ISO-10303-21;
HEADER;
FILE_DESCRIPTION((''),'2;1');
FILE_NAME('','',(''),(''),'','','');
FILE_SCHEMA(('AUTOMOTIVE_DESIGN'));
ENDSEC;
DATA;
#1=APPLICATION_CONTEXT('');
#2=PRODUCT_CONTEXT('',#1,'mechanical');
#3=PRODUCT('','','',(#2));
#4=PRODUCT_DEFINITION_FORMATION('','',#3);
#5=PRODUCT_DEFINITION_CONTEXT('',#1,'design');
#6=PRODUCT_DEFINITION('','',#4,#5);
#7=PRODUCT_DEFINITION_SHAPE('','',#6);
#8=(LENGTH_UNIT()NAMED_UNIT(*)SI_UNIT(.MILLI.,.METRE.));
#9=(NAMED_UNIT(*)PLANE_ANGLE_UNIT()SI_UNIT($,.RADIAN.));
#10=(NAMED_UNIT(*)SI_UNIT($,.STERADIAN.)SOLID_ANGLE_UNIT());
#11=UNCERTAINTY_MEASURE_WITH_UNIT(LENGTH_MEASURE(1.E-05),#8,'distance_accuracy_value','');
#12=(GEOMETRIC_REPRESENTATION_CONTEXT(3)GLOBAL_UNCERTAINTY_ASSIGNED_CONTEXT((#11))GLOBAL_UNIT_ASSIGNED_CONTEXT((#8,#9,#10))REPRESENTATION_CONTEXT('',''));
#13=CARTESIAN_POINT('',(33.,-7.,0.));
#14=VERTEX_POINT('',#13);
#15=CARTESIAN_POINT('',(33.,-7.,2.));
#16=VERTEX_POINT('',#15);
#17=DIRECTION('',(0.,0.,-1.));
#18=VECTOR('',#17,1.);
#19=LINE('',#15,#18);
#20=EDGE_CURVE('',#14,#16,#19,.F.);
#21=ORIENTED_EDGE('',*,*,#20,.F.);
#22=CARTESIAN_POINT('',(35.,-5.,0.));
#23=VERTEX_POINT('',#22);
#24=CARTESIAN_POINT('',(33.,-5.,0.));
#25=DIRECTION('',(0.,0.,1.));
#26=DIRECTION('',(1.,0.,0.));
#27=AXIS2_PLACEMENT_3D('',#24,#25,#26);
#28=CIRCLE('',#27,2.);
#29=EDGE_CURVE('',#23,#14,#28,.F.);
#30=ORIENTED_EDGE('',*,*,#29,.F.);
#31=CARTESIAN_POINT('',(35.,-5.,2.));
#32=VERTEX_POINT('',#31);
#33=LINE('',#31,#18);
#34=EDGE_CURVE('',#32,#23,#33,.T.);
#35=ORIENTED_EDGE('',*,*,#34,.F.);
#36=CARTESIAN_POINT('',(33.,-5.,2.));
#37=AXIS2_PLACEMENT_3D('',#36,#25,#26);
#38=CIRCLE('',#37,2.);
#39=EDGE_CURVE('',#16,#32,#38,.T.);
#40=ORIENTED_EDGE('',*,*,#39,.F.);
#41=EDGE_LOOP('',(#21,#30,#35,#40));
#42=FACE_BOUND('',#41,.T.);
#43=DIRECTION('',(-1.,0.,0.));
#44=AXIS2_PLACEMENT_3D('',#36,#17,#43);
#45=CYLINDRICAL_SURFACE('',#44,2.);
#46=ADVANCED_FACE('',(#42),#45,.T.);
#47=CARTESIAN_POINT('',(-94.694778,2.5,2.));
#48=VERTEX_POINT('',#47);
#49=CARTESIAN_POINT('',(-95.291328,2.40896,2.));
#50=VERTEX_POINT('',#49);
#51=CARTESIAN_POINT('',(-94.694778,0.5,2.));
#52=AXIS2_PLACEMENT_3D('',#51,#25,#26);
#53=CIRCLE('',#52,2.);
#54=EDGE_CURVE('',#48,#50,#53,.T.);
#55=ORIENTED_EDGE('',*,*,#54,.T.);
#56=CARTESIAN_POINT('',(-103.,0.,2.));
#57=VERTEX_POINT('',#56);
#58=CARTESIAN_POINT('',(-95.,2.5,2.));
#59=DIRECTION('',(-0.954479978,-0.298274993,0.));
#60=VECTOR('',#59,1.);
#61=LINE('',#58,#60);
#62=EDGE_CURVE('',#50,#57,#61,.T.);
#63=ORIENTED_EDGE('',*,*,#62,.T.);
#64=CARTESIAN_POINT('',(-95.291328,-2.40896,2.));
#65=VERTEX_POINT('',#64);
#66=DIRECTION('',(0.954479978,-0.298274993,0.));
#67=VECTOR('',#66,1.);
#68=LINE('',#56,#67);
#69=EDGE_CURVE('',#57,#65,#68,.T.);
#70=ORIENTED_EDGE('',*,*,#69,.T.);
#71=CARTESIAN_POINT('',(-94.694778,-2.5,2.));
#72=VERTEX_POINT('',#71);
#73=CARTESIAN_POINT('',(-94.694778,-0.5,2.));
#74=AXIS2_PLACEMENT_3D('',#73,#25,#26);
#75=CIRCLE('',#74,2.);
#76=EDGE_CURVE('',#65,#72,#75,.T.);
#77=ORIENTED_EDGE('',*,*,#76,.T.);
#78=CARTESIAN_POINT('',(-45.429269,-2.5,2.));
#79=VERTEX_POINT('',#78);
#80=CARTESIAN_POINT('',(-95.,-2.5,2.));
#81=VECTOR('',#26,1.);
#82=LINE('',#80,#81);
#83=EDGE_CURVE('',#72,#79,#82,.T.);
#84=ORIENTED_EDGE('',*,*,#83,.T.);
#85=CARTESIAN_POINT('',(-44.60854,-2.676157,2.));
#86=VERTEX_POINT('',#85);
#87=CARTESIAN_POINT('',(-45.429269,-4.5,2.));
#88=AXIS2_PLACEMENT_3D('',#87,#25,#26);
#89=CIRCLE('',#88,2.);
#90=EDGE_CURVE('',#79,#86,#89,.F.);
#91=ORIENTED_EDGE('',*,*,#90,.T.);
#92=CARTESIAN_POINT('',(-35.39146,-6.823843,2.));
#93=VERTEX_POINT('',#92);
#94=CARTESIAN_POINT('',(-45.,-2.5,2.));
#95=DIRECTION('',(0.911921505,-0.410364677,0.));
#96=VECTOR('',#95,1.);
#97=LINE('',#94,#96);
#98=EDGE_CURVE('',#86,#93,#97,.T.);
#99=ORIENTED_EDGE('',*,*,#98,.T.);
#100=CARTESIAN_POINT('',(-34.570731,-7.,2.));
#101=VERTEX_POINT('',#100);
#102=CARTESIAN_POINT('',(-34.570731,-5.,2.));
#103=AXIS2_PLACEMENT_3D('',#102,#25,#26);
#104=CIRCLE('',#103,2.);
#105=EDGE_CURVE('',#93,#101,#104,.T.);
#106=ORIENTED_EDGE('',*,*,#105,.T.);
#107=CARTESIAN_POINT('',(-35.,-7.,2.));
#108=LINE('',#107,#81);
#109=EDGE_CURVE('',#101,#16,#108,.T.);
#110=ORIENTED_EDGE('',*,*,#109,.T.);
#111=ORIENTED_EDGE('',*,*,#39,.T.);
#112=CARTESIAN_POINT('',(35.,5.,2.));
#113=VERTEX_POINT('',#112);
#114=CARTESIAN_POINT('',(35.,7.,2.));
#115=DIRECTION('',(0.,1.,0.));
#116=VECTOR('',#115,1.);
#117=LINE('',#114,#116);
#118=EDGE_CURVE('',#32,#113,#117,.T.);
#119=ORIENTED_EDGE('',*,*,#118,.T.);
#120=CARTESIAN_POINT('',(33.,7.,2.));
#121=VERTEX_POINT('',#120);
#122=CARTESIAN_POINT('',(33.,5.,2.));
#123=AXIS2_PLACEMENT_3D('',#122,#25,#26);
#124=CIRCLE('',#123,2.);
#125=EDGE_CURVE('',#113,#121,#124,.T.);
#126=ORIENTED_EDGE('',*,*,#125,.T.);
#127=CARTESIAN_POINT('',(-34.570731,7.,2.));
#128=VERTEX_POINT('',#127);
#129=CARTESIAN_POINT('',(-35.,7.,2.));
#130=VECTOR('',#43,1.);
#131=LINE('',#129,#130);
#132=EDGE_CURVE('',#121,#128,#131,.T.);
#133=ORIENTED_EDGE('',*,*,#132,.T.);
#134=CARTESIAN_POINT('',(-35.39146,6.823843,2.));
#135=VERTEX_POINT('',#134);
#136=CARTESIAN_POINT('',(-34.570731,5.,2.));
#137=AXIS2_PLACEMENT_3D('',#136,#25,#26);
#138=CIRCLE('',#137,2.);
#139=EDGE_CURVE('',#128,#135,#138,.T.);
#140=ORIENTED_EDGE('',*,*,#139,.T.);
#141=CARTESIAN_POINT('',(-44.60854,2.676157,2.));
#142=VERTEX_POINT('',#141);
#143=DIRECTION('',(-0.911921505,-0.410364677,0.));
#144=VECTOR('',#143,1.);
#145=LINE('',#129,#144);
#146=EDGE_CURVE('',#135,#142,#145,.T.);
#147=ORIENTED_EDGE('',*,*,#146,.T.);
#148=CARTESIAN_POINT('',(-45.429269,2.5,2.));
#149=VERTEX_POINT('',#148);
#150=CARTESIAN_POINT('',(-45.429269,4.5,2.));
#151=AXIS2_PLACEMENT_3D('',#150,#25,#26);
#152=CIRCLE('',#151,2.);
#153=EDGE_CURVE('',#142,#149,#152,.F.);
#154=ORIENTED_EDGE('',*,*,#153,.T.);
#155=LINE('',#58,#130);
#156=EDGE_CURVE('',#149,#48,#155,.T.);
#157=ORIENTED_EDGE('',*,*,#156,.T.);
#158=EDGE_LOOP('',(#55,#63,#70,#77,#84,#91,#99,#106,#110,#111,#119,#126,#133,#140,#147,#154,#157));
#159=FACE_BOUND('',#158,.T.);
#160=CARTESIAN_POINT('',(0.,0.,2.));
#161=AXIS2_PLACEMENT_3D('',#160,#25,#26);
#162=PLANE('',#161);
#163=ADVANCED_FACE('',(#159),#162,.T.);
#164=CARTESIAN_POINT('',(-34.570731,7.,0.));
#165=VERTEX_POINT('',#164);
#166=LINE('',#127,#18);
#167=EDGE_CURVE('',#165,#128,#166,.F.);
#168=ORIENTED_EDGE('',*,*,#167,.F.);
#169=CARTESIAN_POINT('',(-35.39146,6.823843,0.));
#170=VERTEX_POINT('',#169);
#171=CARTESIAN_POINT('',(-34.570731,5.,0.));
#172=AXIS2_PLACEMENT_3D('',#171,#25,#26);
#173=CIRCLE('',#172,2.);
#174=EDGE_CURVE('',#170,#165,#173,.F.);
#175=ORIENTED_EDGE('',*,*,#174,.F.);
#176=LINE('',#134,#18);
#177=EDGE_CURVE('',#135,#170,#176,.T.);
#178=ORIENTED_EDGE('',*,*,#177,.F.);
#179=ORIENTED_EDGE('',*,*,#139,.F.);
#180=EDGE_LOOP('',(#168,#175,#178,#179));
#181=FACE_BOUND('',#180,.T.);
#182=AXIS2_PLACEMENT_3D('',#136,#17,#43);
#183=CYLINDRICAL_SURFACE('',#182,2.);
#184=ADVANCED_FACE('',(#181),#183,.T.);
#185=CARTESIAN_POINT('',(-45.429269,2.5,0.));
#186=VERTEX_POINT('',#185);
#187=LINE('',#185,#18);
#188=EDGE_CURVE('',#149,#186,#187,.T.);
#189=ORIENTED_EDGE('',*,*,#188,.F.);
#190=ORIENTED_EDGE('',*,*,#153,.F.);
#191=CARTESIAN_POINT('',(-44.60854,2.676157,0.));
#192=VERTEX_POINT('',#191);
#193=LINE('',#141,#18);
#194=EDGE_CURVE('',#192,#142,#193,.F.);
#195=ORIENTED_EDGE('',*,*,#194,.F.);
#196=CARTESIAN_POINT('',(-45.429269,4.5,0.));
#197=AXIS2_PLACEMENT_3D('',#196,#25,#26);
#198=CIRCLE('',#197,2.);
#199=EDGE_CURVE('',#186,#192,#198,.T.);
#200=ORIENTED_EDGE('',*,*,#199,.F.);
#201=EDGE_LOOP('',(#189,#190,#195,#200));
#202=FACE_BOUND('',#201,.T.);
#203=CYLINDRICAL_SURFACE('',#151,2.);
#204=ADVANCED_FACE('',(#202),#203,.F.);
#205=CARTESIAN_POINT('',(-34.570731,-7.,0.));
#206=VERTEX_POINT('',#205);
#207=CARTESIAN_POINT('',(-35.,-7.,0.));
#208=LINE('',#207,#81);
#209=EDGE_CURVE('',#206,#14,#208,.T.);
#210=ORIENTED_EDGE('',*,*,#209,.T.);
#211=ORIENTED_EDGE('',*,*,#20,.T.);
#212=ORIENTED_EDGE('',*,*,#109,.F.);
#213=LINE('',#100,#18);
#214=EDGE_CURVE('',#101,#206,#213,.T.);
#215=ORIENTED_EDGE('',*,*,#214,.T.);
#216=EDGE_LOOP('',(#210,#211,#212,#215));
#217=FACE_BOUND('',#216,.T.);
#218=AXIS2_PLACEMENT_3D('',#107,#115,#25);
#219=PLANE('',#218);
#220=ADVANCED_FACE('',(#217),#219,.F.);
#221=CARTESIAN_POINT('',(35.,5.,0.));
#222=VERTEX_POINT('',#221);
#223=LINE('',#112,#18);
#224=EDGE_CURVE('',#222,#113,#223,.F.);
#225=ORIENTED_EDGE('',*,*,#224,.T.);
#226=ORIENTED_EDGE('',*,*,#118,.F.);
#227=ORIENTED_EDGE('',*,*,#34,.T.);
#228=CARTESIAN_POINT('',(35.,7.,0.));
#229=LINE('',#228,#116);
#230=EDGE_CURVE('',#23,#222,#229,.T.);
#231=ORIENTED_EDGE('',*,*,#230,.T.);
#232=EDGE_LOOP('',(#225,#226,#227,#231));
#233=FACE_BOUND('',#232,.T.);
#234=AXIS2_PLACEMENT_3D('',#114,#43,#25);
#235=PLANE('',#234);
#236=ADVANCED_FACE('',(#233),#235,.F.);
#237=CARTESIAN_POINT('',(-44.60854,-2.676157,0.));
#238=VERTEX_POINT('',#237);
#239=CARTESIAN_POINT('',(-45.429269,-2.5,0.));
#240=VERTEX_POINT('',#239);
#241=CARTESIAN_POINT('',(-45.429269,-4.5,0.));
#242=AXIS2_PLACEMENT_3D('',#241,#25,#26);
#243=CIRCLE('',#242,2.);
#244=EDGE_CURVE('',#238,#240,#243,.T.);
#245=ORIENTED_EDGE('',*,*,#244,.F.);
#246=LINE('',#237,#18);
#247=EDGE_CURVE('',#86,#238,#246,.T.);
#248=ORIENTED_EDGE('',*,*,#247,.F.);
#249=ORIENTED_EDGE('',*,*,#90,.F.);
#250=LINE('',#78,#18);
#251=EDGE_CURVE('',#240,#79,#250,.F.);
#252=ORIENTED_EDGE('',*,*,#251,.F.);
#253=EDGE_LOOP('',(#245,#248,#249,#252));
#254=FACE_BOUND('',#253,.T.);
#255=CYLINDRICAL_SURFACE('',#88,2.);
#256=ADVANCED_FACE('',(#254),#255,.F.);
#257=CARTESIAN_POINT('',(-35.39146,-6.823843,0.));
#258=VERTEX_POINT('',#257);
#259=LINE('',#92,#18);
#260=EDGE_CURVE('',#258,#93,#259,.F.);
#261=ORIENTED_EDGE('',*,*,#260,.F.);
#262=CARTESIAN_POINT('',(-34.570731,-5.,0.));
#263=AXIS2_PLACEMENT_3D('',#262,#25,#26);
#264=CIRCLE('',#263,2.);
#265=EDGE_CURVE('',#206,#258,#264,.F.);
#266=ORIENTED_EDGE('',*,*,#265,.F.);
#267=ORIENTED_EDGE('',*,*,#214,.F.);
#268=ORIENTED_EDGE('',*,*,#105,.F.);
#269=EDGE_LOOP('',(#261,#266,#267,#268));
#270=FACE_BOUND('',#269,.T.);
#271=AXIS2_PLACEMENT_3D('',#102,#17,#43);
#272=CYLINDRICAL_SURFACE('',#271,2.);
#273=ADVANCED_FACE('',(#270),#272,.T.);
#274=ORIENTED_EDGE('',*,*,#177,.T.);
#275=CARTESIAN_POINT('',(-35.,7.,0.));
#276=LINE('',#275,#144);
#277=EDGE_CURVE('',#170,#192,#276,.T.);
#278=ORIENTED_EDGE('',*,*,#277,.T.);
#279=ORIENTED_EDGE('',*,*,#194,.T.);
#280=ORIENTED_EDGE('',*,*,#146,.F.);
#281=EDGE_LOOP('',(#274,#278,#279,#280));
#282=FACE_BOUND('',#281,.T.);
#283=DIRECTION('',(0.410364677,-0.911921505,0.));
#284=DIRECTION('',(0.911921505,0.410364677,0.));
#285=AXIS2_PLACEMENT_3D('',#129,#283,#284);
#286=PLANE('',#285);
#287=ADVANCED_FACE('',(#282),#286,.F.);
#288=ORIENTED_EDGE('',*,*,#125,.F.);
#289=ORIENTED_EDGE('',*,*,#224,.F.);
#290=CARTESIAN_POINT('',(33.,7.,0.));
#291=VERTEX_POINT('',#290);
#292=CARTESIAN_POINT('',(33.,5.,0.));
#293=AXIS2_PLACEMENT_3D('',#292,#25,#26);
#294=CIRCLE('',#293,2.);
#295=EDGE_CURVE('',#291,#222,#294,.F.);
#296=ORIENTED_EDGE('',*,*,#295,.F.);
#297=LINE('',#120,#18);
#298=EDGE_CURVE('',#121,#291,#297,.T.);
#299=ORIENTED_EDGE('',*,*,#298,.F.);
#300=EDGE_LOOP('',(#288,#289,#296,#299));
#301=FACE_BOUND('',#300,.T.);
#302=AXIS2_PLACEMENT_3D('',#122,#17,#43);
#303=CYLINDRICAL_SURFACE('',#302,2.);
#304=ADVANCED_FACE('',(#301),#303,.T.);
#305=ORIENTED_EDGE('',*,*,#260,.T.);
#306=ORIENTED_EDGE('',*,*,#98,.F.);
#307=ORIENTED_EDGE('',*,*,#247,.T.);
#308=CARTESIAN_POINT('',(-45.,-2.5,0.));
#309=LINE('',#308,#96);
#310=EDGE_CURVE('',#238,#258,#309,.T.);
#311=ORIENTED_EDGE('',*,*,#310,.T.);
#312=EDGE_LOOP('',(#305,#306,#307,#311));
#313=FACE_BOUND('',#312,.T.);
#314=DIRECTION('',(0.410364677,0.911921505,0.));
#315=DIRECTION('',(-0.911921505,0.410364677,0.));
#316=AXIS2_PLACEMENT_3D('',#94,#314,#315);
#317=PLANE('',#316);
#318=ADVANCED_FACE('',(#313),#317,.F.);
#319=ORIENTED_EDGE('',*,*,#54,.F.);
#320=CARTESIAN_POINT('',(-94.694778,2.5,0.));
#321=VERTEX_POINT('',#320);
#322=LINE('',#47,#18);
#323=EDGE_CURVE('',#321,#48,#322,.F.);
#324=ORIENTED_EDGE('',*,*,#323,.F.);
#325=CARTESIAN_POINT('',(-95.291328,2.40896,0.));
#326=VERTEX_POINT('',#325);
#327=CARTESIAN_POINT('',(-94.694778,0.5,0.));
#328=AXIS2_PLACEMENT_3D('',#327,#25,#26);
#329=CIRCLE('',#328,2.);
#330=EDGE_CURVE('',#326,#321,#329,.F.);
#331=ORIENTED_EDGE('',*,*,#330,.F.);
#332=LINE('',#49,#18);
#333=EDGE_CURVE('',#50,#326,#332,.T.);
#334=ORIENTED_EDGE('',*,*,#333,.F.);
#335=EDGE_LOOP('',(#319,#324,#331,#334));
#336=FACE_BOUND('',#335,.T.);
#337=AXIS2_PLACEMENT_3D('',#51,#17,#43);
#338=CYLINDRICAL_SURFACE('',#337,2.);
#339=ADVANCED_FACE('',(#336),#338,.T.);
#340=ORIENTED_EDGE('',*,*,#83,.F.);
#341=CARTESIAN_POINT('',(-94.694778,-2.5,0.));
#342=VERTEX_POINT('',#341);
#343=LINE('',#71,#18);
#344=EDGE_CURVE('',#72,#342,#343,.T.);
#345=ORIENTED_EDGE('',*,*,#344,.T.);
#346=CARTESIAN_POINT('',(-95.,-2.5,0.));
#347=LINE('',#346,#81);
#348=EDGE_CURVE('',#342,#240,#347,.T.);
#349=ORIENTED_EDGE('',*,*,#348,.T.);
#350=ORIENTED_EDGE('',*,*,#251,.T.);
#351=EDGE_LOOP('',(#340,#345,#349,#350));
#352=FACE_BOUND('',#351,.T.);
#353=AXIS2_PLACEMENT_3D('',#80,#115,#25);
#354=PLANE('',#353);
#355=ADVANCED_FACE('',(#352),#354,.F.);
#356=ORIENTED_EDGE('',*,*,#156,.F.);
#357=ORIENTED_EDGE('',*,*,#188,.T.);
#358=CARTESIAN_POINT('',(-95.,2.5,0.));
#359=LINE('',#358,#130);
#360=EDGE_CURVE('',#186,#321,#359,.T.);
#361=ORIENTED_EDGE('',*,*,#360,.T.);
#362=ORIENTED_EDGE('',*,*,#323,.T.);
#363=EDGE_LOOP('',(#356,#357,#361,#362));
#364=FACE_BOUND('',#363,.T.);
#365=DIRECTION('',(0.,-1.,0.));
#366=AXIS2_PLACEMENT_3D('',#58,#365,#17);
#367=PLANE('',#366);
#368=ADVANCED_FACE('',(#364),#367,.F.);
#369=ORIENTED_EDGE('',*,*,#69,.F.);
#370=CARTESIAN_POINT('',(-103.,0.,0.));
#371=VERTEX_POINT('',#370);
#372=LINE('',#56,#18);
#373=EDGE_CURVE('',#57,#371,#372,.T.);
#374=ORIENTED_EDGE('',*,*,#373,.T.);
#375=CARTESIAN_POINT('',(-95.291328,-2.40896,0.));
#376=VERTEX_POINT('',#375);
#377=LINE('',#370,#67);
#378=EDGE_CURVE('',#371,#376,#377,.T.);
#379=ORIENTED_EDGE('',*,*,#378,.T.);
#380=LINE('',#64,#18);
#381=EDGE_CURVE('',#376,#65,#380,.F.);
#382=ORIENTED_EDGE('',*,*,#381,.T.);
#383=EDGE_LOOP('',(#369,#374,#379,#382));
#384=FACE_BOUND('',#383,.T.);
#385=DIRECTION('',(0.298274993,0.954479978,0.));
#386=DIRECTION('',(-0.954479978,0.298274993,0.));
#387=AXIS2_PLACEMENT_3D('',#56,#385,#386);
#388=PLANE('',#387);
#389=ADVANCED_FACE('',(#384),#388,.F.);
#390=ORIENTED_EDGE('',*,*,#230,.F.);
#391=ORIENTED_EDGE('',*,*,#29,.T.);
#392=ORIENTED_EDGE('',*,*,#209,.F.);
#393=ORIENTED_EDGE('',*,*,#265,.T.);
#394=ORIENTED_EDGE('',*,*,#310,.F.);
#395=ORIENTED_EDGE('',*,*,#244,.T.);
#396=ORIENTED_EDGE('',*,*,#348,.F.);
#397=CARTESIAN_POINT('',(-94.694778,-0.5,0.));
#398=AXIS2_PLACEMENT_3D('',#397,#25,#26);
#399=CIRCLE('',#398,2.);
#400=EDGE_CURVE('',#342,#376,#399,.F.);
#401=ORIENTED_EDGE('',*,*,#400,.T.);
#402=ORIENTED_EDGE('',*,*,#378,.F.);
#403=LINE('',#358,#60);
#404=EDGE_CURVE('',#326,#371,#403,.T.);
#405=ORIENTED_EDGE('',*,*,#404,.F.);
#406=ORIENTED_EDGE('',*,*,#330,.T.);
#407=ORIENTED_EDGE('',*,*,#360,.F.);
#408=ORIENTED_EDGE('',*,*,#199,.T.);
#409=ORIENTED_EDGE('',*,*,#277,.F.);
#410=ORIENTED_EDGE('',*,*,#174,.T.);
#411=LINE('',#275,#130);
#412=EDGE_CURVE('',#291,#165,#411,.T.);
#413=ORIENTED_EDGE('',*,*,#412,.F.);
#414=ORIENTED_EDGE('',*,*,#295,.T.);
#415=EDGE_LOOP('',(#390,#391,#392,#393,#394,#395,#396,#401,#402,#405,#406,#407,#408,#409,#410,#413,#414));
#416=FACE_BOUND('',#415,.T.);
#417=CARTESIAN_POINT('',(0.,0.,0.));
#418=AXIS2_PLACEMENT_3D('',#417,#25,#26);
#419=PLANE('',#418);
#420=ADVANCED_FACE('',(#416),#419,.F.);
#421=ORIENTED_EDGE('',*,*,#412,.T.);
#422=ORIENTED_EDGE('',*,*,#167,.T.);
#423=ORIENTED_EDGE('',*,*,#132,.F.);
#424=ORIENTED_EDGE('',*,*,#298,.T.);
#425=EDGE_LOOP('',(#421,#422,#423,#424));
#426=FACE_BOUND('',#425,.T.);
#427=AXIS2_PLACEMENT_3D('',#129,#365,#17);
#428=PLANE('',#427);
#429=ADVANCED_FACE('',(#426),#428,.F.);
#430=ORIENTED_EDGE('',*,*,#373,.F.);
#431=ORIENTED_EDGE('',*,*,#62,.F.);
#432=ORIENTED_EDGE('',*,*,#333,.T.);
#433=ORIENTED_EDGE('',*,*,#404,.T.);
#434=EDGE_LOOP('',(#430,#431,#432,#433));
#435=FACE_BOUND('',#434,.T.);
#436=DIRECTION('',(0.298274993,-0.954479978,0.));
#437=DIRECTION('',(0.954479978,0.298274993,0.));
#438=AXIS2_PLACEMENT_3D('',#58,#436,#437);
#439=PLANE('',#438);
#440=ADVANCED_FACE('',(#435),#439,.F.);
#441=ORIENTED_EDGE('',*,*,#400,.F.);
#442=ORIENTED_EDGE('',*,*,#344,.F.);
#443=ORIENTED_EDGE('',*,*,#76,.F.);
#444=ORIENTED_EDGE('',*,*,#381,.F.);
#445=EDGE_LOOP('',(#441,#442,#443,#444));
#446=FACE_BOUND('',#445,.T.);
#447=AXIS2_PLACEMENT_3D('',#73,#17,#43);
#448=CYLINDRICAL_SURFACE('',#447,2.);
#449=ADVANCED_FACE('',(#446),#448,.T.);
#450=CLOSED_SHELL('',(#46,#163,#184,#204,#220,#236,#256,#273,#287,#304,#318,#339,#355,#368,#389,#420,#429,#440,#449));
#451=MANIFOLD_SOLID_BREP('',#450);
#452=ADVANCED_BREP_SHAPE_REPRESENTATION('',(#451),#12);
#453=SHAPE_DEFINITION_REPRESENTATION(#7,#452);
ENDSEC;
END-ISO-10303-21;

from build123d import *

# Parameters (mm, degrees)
BOSS_EXTRUDE1_DEPTH = 2
FILLET1_R           = 2


with BuildPart() as part:
    # Sketch1 → Boss-Extrude1 (new body)
    with BuildSketch(Plane.XY):
        Polygon((-35, 7), (-45, 2.5), (-95, 2.5), (-103, 0), (-95, -2.5), (-45, -2.5), (-35, -7), (35, -7), (35, 7), align=None)
    extrude(amount=BOSS_EXTRUDE1_DEPTH)

    # Fillet1
    fillet1_edges = [part.edges().sort_by_distance(p)[0] for p in [
        (35, -7, 1),
        (-35, -7, 1),
        (-45, -2.5, 1),
        (-95, -2.5, 1),
        (-95, 2.5, 1),
        (-45, 2.5, 1),
        (-35, 7, 1),
        (35, 7, 1),
    ]]
    fillet(fillet1_edges, radius=FILLET1_R)


solid = part.part
